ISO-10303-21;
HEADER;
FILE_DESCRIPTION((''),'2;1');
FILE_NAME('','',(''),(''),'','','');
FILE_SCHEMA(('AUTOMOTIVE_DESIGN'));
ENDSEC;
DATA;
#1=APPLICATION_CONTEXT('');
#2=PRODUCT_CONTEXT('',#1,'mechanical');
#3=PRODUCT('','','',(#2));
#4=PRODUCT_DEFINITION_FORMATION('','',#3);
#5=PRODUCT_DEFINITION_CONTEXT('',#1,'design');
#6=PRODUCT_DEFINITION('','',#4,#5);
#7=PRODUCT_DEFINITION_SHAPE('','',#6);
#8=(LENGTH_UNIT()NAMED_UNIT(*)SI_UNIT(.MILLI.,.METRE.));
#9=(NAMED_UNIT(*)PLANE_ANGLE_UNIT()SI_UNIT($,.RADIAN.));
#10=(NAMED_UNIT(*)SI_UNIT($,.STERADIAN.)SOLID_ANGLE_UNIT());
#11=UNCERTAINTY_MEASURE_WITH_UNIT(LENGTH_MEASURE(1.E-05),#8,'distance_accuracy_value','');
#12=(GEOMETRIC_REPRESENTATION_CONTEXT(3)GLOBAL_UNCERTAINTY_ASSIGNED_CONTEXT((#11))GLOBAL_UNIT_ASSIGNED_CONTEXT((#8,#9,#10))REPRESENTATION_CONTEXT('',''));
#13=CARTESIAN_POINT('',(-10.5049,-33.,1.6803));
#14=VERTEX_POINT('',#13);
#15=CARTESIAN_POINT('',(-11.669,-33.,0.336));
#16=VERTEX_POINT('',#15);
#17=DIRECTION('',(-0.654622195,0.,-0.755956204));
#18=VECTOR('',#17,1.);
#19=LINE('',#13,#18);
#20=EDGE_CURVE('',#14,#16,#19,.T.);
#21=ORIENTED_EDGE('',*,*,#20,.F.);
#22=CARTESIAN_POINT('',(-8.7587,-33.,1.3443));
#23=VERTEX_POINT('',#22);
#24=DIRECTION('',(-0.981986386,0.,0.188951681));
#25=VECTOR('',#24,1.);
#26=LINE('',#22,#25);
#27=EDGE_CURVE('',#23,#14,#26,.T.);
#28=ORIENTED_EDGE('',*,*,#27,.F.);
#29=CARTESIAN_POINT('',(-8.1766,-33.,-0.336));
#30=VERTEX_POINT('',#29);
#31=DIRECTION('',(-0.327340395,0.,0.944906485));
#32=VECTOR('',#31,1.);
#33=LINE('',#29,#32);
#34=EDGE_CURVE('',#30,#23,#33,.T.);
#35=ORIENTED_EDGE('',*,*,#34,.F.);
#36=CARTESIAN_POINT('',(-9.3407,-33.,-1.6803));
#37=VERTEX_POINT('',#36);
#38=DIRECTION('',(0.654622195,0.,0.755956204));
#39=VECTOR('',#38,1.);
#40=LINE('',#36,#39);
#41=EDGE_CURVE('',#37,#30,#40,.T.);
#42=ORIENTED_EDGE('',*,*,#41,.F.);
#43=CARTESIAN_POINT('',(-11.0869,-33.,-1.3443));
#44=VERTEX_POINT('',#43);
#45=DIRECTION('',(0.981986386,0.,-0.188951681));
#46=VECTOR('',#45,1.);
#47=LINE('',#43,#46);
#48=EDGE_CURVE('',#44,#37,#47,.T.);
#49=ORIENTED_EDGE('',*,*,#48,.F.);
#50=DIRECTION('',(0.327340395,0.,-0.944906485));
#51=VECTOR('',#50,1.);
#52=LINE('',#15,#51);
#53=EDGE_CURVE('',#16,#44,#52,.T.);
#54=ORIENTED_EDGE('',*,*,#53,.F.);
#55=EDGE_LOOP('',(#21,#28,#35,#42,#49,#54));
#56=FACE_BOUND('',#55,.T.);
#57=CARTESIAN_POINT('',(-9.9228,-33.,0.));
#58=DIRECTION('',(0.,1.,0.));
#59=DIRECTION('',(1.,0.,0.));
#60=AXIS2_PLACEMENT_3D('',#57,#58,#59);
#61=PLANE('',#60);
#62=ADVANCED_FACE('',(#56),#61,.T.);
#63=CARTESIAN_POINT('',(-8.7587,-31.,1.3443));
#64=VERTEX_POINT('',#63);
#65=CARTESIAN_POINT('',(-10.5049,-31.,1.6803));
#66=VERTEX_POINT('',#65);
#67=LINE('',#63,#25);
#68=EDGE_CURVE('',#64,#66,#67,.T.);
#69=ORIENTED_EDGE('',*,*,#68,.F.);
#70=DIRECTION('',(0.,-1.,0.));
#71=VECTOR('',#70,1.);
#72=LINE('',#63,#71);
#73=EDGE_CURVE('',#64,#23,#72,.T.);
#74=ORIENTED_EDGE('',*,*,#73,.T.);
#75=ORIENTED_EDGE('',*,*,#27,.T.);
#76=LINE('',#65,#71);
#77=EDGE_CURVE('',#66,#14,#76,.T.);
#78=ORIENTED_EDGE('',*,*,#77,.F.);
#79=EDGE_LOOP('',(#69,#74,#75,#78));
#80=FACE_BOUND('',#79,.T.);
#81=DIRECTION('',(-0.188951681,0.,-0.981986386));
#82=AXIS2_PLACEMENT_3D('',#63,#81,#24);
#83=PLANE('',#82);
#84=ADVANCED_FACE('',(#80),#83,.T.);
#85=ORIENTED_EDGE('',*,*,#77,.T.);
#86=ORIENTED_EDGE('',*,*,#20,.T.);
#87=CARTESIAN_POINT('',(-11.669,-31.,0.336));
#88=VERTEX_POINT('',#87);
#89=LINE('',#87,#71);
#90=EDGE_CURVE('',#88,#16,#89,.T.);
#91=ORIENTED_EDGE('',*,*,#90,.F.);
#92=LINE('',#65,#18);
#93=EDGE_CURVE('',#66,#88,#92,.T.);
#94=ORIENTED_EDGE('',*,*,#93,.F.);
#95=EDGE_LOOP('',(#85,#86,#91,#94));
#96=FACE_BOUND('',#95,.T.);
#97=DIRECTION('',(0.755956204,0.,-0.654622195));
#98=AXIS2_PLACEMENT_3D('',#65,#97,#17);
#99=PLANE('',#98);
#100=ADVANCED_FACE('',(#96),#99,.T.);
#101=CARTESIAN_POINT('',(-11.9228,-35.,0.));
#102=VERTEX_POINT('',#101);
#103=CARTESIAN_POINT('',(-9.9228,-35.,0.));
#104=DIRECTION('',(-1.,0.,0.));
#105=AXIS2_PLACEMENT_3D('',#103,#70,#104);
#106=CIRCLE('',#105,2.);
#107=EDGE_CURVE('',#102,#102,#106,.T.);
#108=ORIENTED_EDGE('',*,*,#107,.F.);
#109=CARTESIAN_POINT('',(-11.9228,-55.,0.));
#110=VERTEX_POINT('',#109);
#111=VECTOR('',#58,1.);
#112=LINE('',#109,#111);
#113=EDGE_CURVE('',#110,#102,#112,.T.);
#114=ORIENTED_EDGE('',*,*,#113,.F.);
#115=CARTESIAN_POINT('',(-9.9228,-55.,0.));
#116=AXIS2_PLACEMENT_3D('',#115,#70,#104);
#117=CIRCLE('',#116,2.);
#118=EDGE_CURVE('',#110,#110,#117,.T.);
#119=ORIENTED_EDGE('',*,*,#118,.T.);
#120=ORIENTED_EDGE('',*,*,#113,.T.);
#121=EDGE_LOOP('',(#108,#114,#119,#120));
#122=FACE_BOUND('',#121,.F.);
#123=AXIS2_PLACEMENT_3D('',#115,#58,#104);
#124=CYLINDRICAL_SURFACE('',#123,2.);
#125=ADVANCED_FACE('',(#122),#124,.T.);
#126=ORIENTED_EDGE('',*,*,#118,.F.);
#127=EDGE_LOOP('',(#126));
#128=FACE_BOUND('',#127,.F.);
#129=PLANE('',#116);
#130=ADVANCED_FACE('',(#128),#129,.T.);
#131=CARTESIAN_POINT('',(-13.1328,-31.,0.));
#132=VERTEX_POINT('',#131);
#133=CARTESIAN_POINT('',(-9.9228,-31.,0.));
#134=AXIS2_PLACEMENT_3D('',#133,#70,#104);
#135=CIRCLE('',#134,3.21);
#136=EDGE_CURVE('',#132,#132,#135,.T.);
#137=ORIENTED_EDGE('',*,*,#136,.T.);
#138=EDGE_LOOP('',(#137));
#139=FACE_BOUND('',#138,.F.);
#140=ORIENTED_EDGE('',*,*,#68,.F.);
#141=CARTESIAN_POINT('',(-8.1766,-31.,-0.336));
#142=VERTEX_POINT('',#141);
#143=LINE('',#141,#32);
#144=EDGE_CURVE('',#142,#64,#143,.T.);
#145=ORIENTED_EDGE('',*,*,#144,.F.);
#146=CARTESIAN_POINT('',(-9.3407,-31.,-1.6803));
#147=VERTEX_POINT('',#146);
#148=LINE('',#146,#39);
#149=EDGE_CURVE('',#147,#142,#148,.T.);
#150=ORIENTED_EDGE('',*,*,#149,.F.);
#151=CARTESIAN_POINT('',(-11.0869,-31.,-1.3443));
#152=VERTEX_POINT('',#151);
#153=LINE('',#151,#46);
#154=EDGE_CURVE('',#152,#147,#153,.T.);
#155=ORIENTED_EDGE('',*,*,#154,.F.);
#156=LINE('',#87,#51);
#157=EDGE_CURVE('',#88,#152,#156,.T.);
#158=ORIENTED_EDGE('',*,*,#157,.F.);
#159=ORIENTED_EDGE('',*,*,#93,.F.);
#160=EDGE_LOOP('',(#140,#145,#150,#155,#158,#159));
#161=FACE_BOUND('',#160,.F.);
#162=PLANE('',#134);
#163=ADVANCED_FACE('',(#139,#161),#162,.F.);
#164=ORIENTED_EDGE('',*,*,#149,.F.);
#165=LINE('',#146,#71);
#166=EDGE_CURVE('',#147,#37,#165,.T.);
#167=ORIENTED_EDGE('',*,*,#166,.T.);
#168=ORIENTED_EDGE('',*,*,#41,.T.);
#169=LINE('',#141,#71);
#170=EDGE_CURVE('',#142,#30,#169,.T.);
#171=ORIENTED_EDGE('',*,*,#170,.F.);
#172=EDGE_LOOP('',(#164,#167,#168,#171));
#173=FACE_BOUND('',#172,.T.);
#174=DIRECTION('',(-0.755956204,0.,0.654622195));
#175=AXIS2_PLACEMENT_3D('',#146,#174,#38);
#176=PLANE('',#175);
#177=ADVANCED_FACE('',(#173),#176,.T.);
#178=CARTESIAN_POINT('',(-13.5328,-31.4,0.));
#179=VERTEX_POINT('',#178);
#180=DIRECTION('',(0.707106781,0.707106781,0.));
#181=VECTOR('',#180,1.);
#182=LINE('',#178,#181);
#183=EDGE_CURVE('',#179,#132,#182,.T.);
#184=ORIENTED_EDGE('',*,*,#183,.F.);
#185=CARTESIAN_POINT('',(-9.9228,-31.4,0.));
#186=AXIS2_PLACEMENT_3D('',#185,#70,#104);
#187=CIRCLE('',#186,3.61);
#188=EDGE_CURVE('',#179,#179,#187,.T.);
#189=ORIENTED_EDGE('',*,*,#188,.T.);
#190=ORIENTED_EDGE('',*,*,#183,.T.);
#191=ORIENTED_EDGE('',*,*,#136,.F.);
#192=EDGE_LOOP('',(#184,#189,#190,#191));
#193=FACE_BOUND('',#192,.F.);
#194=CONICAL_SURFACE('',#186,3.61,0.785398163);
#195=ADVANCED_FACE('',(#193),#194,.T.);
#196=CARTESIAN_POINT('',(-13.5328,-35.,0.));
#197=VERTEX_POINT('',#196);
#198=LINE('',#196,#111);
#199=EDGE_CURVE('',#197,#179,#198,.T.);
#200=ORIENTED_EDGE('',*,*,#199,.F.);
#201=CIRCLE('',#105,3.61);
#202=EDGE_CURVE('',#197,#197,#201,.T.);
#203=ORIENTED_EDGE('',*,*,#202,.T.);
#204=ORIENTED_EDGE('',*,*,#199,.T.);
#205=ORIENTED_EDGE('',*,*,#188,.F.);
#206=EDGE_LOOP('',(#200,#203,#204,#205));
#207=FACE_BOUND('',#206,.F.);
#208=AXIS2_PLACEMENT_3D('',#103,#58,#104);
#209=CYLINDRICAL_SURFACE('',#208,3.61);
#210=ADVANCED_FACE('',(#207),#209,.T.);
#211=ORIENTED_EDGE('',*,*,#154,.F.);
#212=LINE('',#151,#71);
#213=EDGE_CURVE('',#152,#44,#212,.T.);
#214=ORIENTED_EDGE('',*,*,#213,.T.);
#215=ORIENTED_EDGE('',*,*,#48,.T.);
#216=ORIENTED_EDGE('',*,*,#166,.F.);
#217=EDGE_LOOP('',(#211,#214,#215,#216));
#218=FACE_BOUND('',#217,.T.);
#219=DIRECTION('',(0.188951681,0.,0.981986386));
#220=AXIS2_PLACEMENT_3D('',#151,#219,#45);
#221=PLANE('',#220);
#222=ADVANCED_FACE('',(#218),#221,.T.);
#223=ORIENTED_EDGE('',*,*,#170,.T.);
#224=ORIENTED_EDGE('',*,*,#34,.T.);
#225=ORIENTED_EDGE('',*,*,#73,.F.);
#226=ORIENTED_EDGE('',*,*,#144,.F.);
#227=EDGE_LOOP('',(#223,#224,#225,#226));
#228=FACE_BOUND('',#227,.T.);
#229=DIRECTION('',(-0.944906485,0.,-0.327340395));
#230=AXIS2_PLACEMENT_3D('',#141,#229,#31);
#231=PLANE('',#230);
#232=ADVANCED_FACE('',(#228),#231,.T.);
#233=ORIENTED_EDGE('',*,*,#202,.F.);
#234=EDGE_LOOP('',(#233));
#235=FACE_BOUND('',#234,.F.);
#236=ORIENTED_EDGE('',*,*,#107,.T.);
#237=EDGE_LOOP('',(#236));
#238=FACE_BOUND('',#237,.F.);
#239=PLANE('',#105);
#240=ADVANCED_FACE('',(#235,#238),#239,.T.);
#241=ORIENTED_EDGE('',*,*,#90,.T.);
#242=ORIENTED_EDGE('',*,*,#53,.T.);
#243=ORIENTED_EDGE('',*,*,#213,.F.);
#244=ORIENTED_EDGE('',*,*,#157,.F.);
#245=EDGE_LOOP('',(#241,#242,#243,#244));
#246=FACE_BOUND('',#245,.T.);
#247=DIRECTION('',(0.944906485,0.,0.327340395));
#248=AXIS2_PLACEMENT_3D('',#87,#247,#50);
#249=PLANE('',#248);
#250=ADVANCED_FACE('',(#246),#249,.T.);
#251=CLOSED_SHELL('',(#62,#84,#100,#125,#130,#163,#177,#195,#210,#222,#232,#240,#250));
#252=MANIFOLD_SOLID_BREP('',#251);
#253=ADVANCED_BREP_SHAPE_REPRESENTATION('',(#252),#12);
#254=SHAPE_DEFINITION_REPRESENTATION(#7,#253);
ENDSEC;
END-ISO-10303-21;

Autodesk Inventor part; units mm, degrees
ref_plane "YZ Plane" through (0, 0, 0) normal (1, 0, 0) x (0, 1, 0)
ref_plane "XZ Plane" through (0, 0, 0) normal (0, 1, 0) x (-1, 0, 0)
ref_plane "XY Plane" through (0, 0, 0) normal (0, 0, 1) x (1, 0, 0)
sketch "Sketch1" plane through (0, 0, 0) normal (0, 0, 1) x (1, 0, 0)
  line L0 (-9.9228, -35) -> (-13.5328, -35)
  line L1 (-13.5328, -35) -> (-13.5328, -31)
  line L2 (-13.5328, -31) -> (-9.9228, -31)
  line L3 (-9.9228, -31) -> (-9.9228, -35)
  line L4 (-9.9228, -35) -> (-9.9228, -55)
  line L5 (-9.9228, -55) -> (-11.9228, -55)
  line L6 (-11.9228, -55) -> (-11.9228, -35)
  point P0 (0, 0)
  dimension "d0" = 3.61
  dimension "d1" = 4
  dimension "d3" = 2
  dimension "d16" = 20
revolve "Revolution1" add sketch "Sketch1" angle 360 about axis through (-9.9228, -35, 0) along (0, -1, 0)
chamfer "Chamfer1" distance 0.4 angle 45 1 edges at (-6.3128, -31, 0)
sketch "Boceto2" plane through (-9.9228, -31, 0) normal (0, 1, 0) x (1, 0, 0)
  line L0 (1.1641, -1.3443) -> (-0.5821, -1.6803)
  line L1 (-0.5821, -1.6803) -> (-1.7462, -0.336)
  line L2 (-1.7462, -0.336) -> (-1.1641, 1.3443)
  line L3 (-1.1641, 1.3443) -> (0.5821, 1.6803)
  line L4 (0.5821, 1.6803) -> (1.7462, 0.336)
  line L5 (1.7462, 0.336) -> (1.1641, -1.3443)
  point P0 (9.9228, 0)
  point P1 (0, 0)
  dimension "d11" = 3.08
extrude "Extrusión1" cut sketch "Boceto2" against normal blind 2
thread "Rosca1" size "M4x0.7" class "6g" standard "ISO Metric profile" length 430
properties part number "Tornillo Allen cabeza cilindrica M4x20mm"
